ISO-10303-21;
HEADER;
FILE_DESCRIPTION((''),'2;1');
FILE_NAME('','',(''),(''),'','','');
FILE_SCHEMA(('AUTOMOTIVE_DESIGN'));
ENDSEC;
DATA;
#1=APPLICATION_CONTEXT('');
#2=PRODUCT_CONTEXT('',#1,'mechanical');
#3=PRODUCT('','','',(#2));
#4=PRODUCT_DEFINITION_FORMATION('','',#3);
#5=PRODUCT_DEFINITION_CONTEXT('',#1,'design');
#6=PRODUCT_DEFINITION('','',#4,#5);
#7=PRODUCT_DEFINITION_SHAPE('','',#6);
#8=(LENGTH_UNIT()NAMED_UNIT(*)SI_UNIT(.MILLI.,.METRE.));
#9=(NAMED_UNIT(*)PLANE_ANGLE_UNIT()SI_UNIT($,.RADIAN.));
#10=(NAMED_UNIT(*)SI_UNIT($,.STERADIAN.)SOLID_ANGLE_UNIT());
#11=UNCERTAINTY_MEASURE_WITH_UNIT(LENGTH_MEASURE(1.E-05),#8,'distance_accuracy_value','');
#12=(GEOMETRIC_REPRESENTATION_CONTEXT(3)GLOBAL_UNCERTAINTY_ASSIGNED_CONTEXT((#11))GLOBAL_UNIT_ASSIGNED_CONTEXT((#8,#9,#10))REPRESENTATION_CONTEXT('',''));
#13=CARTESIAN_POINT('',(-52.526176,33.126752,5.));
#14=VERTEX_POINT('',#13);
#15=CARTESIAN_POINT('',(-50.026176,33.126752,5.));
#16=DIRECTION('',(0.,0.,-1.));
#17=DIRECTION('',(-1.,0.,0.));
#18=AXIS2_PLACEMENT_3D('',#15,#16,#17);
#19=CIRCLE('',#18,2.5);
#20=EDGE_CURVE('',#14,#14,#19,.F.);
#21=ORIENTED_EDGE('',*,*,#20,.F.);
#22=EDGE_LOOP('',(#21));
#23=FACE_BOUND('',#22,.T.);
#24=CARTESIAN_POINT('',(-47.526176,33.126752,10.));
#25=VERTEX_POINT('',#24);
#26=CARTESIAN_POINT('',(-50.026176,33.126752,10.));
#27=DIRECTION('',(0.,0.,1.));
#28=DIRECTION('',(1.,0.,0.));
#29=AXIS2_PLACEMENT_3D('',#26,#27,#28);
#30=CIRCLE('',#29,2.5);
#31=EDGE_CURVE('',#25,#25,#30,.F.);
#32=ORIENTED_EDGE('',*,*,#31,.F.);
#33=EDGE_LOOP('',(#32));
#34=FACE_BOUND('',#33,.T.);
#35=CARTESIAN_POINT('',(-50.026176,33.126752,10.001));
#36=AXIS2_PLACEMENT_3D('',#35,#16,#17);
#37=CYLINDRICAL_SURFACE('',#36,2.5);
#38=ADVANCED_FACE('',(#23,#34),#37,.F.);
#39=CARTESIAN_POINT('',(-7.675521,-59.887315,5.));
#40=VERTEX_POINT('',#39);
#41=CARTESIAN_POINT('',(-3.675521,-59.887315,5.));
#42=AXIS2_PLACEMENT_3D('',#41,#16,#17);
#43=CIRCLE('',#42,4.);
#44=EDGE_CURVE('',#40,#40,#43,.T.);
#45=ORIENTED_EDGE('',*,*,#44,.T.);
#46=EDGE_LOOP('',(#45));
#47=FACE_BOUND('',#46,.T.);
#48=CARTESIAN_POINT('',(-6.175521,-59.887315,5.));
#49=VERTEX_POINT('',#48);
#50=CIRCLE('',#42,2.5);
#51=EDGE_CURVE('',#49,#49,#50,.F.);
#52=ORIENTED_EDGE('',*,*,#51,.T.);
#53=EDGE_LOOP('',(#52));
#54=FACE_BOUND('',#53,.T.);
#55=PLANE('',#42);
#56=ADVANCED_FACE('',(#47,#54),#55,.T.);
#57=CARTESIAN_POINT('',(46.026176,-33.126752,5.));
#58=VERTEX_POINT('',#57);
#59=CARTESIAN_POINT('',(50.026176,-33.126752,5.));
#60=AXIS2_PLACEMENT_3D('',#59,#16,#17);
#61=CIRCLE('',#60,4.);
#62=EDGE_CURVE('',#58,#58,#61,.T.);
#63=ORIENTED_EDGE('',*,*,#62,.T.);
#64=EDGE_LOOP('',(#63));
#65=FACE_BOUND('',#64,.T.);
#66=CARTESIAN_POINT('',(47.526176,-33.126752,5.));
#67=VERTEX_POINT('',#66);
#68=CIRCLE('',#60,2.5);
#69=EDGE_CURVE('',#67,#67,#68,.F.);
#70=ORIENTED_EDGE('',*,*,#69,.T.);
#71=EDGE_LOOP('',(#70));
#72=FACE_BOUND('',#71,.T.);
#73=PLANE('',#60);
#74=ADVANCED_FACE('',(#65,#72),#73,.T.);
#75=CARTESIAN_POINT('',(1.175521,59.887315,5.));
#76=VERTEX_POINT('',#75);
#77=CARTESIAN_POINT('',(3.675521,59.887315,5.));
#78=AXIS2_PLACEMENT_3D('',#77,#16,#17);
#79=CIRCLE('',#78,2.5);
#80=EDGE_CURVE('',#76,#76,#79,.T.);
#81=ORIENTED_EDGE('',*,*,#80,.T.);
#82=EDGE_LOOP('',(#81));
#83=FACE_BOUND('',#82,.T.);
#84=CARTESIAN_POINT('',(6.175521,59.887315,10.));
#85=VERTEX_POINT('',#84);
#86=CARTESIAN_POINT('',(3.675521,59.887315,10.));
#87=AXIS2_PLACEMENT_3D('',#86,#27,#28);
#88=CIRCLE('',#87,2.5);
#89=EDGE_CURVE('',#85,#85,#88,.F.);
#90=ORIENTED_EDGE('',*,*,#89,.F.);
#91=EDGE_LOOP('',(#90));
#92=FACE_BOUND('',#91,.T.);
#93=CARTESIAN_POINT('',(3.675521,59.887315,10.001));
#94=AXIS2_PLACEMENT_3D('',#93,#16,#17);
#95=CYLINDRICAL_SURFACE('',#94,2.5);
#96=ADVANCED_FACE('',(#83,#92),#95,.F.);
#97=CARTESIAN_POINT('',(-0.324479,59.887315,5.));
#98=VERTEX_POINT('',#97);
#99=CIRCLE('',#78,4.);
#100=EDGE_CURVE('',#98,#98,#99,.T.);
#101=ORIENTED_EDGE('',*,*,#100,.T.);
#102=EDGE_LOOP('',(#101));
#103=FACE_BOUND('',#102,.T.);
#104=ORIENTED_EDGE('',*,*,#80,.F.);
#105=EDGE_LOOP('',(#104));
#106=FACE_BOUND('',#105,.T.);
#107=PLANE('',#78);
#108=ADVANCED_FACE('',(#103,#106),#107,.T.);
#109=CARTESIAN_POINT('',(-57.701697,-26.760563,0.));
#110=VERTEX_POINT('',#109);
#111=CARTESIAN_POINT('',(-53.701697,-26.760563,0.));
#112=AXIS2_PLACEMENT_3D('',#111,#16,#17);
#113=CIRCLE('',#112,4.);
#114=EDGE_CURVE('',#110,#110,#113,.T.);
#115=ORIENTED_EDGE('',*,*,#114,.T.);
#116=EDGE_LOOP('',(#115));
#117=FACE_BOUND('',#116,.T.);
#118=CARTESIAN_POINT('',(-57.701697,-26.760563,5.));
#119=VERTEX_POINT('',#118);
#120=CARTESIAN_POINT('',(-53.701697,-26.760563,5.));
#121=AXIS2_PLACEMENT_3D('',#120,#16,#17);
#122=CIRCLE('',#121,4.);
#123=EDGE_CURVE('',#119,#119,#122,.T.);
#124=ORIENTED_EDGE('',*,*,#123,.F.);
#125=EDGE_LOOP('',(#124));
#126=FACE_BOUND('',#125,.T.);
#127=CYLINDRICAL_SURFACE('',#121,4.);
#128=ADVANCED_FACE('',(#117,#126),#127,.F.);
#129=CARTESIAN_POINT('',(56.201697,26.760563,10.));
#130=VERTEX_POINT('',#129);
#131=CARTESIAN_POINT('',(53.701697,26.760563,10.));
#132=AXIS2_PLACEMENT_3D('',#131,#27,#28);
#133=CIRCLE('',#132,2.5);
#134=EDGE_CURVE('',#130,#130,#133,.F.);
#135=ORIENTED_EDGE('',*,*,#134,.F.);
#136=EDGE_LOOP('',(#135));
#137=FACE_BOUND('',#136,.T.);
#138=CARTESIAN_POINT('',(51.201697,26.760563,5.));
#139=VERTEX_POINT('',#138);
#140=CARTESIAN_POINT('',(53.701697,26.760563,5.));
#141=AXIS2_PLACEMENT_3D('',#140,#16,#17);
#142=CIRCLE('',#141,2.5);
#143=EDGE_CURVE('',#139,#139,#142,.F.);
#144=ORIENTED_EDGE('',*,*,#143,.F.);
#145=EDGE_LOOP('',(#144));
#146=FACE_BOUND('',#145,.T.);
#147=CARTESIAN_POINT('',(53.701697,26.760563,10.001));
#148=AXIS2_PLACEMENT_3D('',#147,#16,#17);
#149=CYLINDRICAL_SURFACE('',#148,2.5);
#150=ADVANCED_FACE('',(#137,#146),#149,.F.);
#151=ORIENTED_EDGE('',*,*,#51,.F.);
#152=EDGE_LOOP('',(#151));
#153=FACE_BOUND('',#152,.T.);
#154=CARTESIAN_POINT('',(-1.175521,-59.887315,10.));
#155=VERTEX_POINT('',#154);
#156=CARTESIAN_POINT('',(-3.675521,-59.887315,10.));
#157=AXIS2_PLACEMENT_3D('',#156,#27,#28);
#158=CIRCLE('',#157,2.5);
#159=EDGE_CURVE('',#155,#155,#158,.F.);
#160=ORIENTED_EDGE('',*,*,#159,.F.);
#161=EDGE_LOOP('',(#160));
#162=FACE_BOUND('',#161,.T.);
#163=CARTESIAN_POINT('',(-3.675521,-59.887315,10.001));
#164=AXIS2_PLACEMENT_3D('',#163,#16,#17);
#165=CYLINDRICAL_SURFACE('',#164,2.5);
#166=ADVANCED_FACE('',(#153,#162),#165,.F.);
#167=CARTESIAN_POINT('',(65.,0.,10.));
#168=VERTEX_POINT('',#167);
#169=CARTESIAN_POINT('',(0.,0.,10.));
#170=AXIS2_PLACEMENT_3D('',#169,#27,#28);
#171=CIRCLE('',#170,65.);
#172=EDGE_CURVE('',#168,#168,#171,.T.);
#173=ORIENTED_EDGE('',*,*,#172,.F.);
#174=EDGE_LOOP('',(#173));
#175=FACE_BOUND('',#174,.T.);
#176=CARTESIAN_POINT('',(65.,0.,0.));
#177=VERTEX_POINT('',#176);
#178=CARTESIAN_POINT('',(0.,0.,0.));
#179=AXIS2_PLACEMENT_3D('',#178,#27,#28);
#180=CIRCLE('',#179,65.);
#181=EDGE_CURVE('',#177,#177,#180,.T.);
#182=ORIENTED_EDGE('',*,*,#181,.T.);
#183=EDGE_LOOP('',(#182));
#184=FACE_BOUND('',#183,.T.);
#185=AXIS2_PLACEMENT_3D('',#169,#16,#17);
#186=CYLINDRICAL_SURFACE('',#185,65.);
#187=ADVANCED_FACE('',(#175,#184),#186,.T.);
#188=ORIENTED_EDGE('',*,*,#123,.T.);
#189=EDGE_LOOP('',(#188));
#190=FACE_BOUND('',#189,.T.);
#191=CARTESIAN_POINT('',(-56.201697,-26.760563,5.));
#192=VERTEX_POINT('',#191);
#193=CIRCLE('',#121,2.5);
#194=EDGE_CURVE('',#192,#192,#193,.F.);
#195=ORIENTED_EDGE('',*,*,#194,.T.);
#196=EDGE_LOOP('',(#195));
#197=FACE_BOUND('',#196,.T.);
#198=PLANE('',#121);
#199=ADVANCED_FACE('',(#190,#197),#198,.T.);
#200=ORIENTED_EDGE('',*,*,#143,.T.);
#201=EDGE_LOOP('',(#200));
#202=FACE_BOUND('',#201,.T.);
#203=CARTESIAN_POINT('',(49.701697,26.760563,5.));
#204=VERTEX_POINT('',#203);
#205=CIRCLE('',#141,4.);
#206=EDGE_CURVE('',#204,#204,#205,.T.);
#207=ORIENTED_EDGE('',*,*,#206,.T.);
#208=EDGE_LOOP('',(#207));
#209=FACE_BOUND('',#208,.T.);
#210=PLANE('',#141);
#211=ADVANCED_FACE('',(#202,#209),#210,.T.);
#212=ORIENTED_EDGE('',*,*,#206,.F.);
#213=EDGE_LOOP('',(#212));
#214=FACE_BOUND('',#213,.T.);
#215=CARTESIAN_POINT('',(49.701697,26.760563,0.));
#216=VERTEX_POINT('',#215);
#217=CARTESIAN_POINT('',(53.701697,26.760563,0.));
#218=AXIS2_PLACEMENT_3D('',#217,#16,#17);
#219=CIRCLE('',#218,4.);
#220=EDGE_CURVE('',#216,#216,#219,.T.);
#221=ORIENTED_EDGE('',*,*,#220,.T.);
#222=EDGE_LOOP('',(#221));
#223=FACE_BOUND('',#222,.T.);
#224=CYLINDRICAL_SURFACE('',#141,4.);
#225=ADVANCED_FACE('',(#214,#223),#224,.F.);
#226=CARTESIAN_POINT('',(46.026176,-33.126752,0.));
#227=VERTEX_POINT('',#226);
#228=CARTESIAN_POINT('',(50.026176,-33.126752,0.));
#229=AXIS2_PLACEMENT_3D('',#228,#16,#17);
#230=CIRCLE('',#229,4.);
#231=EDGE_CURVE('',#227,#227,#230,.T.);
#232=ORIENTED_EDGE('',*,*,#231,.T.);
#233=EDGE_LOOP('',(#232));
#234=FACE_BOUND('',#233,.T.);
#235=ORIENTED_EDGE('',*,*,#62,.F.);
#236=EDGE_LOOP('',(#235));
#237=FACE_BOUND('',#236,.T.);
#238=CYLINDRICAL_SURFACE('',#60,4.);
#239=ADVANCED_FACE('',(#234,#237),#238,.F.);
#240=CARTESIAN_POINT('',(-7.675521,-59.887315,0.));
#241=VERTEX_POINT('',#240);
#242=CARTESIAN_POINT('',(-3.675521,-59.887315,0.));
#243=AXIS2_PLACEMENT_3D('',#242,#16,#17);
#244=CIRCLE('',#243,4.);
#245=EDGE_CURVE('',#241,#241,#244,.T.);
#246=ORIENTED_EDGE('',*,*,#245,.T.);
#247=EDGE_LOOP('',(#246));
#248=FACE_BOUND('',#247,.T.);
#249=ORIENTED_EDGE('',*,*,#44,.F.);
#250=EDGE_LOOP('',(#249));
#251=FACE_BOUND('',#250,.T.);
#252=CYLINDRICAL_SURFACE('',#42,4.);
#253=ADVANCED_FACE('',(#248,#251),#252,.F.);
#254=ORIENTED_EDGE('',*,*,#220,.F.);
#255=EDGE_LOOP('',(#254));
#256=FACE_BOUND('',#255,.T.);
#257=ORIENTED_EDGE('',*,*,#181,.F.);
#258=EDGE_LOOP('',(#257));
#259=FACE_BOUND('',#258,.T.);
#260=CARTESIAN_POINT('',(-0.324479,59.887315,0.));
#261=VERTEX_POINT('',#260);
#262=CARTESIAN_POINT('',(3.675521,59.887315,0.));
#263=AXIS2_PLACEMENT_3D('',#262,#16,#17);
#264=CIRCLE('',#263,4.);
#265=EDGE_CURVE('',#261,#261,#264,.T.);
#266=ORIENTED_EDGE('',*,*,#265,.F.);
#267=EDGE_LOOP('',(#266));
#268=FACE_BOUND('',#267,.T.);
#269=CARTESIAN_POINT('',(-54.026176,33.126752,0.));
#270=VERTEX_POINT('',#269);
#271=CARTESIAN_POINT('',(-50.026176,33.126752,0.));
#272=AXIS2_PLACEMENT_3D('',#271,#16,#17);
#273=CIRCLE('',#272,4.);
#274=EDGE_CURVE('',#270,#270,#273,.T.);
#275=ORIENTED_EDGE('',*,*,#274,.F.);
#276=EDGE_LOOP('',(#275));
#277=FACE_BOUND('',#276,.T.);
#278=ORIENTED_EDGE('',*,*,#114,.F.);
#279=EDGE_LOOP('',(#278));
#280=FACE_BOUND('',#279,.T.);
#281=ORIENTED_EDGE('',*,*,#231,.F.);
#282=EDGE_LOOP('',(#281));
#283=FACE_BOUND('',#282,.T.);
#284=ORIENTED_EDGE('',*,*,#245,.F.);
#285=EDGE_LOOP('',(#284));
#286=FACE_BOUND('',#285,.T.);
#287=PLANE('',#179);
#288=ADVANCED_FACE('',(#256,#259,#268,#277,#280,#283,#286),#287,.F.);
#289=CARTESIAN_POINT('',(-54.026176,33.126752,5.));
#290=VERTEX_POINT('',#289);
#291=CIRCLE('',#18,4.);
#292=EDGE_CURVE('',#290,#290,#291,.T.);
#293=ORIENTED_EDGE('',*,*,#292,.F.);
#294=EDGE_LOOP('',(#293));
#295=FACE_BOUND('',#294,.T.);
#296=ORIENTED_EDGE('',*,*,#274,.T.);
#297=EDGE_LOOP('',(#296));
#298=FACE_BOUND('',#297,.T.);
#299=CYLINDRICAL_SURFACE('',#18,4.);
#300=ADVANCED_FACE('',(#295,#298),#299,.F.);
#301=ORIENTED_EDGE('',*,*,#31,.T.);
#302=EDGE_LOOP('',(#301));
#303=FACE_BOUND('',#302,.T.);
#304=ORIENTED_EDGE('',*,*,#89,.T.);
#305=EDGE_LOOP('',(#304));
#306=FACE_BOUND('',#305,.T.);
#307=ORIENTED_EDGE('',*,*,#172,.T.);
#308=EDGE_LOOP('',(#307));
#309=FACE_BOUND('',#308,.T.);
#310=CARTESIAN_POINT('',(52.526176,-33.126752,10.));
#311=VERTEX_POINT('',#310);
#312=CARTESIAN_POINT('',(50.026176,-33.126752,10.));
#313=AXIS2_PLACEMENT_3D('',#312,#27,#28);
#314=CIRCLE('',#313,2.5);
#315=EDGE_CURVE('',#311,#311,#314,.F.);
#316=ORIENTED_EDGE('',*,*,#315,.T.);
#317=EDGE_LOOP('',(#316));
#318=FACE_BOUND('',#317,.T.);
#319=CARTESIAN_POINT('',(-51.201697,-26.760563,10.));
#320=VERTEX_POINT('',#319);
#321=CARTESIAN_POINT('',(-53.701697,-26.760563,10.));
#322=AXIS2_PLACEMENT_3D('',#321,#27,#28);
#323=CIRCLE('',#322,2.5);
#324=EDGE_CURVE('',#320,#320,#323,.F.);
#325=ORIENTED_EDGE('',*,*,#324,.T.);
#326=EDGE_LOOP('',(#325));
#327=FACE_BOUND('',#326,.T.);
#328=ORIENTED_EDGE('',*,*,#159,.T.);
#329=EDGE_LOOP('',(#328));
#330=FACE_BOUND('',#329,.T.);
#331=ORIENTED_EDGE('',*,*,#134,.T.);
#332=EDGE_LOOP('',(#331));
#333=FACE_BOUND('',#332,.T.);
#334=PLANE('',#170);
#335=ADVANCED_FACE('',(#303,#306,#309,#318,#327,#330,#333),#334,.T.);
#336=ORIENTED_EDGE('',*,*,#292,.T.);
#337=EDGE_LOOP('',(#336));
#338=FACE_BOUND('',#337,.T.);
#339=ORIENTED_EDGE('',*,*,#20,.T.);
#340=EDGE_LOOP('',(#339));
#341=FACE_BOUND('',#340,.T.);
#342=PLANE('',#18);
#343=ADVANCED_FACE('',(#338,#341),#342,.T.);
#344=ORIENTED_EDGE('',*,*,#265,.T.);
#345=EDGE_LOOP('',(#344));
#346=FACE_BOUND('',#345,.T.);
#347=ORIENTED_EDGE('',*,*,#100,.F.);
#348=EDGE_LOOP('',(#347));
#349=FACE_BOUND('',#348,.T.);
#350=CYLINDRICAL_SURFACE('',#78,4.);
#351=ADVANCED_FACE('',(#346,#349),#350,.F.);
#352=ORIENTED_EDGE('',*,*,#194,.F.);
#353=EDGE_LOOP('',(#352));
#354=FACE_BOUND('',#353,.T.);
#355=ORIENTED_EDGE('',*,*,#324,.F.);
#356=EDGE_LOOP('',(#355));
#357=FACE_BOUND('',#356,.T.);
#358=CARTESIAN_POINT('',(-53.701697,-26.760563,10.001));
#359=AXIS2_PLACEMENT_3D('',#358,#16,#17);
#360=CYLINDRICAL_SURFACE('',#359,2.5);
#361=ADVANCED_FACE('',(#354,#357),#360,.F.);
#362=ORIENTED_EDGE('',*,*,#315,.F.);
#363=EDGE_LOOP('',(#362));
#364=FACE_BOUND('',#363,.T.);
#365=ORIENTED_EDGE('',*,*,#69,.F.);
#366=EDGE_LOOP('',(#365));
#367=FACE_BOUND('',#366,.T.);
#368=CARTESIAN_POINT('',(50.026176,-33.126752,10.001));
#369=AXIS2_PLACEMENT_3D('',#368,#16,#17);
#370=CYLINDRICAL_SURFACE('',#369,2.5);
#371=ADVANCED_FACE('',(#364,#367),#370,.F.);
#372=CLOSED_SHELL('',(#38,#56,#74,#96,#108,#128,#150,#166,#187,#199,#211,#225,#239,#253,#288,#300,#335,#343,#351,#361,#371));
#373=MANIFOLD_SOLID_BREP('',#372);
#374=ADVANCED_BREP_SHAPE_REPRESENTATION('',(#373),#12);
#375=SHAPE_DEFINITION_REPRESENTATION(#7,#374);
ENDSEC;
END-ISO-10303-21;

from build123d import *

# Parameters (mm, degrees)
SKETCH_1_R          = 65
SKETCH_1_R_2        = 60
SKETCH_1_R_3        = 55
EXTRUDE_1_DEPTH     = 10
CUT_EXTRUDE_1_REACH = 94.466
SKETCH_2_R          = 2.5
SKETCH_3_R          = 4
SKETCH_3_R_2        = 2.5
CUT_EXTRUDE_2_DEPTH = 5


with BuildPart() as part:
    # 草图1 → 凸台-拉伸1 (new body)
    # profile 1 of 3: a face of its own
    with BuildSketch(Plane.XY):
        Circle(SKETCH_1_R)
        Circle(SKETCH_1_R_2, mode=Mode.SUBTRACT)
    # profile 2 of 3: a face of its own
    with BuildSketch(Plane.XY):
        Circle(SKETCH_1_R_2)
        Circle(SKETCH_1_R_3, mode=Mode.SUBTRACT)
    # profile 3 of 3: a face of its own
    with BuildSketch(Plane.XY):
        Circle(SKETCH_1_R_3)
    extrude(amount=EXTRUDE_1_DEPTH)

    # 草图2 → 切除-拉伸1 (cut, up to next)
    with BuildSketch(Plane(origin=(0, 0, 0), x_dir=(-1, 0, 0), z_dir=(0, 0, -1)), mode=Mode.PRIVATE) as cut_extrude_1_sk1:
        with Locations((-3.675520948, 59.887315399)):
            Circle(SKETCH_2_R)
    cut_extrude_1_tool1 = extrude(cut_extrude_1_sk1.sketch, amount=-CUT_EXTRUDE_1_REACH, mode=Mode.PRIVATE) & part.part
    # 草图2 → 切除-拉伸1 (cut, up to next)
    with BuildSketch(Plane(origin=(0, 0, 0), x_dir=(-1, 0, 0), z_dir=(0, 0, -1)), mode=Mode.PRIVATE) as cut_extrude_1_sk2:
        with Locations((50.026176026, 33.126752213)):
            Circle(SKETCH_2_R)
    cut_extrude_1_tool2 = extrude(cut_extrude_1_sk2.sketch, amount=-CUT_EXTRUDE_1_REACH, mode=Mode.PRIVATE) & part.part
    # 草图2 → 切除-拉伸1 (cut, up to next)
    with BuildSketch(Plane(origin=(0, 0, 0), x_dir=(-1, 0, 0), z_dir=(0, 0, -1)), mode=Mode.PRIVATE) as cut_extrude_1_sk3:
        with Locations((53.701696975, -26.760563186)):
            Circle(SKETCH_2_R)
    cut_extrude_1_tool3 = extrude(cut_extrude_1_sk3.sketch, amount=-CUT_EXTRUDE_1_REACH, mode=Mode.PRIVATE) & part.part
    # 草图2 → 切除-拉伸1 (cut, up to next)
    with BuildSketch(Plane(origin=(0, 0, 0), x_dir=(-1, 0, 0), z_dir=(0, 0, -1)), mode=Mode.PRIVATE) as cut_extrude_1_sk4:
        with Locations((3.675520948, -59.887315399)):
            Circle(SKETCH_2_R)
    cut_extrude_1_tool4 = extrude(cut_extrude_1_sk4.sketch, amount=-CUT_EXTRUDE_1_REACH, mode=Mode.PRIVATE) & part.part
    # 草图2 → 切除-拉伸1 (cut, up to next)
    with BuildSketch(Plane(origin=(0, 0, 0), x_dir=(-1, 0, 0), z_dir=(0, 0, -1)), mode=Mode.PRIVATE) as cut_extrude_1_sk5:
        with Locations((-50.026176026, -33.126752213)):
            Circle(SKETCH_2_R)
    cut_extrude_1_tool5 = extrude(cut_extrude_1_sk5.sketch, amount=-CUT_EXTRUDE_1_REACH, mode=Mode.PRIVATE) & part.part
    # 草图2 → 切除-拉伸1 (cut, up to next)
    with BuildSketch(Plane(origin=(0, 0, 0), x_dir=(-1, 0, 0), z_dir=(0, 0, -1)), mode=Mode.PRIVATE) as cut_extrude_1_sk6:
        with Locations((-53.701696975, 26.760563186)):
            Circle(SKETCH_2_R)
    cut_extrude_1_tool6 = extrude(cut_extrude_1_sk6.sketch, amount=-CUT_EXTRUDE_1_REACH, mode=Mode.PRIVATE) & part.part
    add(cut_extrude_1_tool1.solids().sort_by_distance((3.675521, 59.887315, 0))[0], mode=Mode.SUBTRACT)
    add(cut_extrude_1_tool2.solids().sort_by_distance((-50.026176, 33.126752, 0))[0], mode=Mode.SUBTRACT)
    add(cut_extrude_1_tool3.solids().sort_by_distance((-53.701697, -26.760563, 0))[0], mode=Mode.SUBTRACT)
    add(cut_extrude_1_tool4.solids().sort_by_distance((-3.675521, -59.887315, 0))[0], mode=Mode.SUBTRACT)
    add(cut_extrude_1_tool5.solids().sort_by_distance((50.026176, -33.126752, 0))[0], mode=Mode.SUBTRACT)
    add(cut_extrude_1_tool6.solids().sort_by_distance((53.701697, 26.760563, 0))[0], mode=Mode.SUBTRACT)

    # 草图3 → 切除-拉伸2 (cut)
    # profile 1 of 6: a face of its own
    with BuildSketch(Plane(origin=(0, 0, 0), x_dir=(-1, 0, 0), z_dir=(0, 0, -1))):
        with Locations((-3.675520948, 59.887315399)):
            Circle(SKETCH_3_R)
        with Locations((-3.675520948, 59.887315399)):
            Circle(SKETCH_3_R_2, mode=Mode.SUBTRACT)
    # profile 2 of 6: a face of its own
    with BuildSketch(Plane(origin=(0, 0, 0), x_dir=(-1, 0, 0), z_dir=(0, 0, -1))):
        with Locations((50.026176026, 33.126752213)):
            Circle(SKETCH_3_R)
    # profile 3 of 6: a face of its own
    with BuildSketch(Plane(origin=(0, 0, 0), x_dir=(-1, 0, 0), z_dir=(0, 0, -1))):
        with Locations((53.701696975, -26.760563186)):
            Circle(SKETCH_3_R)
    # profile 4 of 6: a face of its own
    with BuildSketch(Plane(origin=(0, 0, 0), x_dir=(-1, 0, 0), z_dir=(0, 0, -1))):
        with Locations((3.675520948, -59.887315399)):
            Circle(SKETCH_3_R)
    # profile 5 of 6: a face of its own
    with BuildSketch(Plane(origin=(0, 0, 0), x_dir=(-1, 0, 0), z_dir=(0, 0, -1))):
        with Locations((-50.026176026, -33.126752213)):
            Circle(SKETCH_3_R)
    # profile 6 of 6: a face of its own
    with BuildSketch(Plane(origin=(0, 0, 0), x_dir=(-1, 0, 0), z_dir=(0, 0, -1))):
        with Locations((-53.701696975, 26.760563186)):
            Circle(SKETCH_3_R)
    extrude(amount=-CUT_EXTRUDE_2_DEPTH, mode=Mode.SUBTRACT)


solid = part.part
